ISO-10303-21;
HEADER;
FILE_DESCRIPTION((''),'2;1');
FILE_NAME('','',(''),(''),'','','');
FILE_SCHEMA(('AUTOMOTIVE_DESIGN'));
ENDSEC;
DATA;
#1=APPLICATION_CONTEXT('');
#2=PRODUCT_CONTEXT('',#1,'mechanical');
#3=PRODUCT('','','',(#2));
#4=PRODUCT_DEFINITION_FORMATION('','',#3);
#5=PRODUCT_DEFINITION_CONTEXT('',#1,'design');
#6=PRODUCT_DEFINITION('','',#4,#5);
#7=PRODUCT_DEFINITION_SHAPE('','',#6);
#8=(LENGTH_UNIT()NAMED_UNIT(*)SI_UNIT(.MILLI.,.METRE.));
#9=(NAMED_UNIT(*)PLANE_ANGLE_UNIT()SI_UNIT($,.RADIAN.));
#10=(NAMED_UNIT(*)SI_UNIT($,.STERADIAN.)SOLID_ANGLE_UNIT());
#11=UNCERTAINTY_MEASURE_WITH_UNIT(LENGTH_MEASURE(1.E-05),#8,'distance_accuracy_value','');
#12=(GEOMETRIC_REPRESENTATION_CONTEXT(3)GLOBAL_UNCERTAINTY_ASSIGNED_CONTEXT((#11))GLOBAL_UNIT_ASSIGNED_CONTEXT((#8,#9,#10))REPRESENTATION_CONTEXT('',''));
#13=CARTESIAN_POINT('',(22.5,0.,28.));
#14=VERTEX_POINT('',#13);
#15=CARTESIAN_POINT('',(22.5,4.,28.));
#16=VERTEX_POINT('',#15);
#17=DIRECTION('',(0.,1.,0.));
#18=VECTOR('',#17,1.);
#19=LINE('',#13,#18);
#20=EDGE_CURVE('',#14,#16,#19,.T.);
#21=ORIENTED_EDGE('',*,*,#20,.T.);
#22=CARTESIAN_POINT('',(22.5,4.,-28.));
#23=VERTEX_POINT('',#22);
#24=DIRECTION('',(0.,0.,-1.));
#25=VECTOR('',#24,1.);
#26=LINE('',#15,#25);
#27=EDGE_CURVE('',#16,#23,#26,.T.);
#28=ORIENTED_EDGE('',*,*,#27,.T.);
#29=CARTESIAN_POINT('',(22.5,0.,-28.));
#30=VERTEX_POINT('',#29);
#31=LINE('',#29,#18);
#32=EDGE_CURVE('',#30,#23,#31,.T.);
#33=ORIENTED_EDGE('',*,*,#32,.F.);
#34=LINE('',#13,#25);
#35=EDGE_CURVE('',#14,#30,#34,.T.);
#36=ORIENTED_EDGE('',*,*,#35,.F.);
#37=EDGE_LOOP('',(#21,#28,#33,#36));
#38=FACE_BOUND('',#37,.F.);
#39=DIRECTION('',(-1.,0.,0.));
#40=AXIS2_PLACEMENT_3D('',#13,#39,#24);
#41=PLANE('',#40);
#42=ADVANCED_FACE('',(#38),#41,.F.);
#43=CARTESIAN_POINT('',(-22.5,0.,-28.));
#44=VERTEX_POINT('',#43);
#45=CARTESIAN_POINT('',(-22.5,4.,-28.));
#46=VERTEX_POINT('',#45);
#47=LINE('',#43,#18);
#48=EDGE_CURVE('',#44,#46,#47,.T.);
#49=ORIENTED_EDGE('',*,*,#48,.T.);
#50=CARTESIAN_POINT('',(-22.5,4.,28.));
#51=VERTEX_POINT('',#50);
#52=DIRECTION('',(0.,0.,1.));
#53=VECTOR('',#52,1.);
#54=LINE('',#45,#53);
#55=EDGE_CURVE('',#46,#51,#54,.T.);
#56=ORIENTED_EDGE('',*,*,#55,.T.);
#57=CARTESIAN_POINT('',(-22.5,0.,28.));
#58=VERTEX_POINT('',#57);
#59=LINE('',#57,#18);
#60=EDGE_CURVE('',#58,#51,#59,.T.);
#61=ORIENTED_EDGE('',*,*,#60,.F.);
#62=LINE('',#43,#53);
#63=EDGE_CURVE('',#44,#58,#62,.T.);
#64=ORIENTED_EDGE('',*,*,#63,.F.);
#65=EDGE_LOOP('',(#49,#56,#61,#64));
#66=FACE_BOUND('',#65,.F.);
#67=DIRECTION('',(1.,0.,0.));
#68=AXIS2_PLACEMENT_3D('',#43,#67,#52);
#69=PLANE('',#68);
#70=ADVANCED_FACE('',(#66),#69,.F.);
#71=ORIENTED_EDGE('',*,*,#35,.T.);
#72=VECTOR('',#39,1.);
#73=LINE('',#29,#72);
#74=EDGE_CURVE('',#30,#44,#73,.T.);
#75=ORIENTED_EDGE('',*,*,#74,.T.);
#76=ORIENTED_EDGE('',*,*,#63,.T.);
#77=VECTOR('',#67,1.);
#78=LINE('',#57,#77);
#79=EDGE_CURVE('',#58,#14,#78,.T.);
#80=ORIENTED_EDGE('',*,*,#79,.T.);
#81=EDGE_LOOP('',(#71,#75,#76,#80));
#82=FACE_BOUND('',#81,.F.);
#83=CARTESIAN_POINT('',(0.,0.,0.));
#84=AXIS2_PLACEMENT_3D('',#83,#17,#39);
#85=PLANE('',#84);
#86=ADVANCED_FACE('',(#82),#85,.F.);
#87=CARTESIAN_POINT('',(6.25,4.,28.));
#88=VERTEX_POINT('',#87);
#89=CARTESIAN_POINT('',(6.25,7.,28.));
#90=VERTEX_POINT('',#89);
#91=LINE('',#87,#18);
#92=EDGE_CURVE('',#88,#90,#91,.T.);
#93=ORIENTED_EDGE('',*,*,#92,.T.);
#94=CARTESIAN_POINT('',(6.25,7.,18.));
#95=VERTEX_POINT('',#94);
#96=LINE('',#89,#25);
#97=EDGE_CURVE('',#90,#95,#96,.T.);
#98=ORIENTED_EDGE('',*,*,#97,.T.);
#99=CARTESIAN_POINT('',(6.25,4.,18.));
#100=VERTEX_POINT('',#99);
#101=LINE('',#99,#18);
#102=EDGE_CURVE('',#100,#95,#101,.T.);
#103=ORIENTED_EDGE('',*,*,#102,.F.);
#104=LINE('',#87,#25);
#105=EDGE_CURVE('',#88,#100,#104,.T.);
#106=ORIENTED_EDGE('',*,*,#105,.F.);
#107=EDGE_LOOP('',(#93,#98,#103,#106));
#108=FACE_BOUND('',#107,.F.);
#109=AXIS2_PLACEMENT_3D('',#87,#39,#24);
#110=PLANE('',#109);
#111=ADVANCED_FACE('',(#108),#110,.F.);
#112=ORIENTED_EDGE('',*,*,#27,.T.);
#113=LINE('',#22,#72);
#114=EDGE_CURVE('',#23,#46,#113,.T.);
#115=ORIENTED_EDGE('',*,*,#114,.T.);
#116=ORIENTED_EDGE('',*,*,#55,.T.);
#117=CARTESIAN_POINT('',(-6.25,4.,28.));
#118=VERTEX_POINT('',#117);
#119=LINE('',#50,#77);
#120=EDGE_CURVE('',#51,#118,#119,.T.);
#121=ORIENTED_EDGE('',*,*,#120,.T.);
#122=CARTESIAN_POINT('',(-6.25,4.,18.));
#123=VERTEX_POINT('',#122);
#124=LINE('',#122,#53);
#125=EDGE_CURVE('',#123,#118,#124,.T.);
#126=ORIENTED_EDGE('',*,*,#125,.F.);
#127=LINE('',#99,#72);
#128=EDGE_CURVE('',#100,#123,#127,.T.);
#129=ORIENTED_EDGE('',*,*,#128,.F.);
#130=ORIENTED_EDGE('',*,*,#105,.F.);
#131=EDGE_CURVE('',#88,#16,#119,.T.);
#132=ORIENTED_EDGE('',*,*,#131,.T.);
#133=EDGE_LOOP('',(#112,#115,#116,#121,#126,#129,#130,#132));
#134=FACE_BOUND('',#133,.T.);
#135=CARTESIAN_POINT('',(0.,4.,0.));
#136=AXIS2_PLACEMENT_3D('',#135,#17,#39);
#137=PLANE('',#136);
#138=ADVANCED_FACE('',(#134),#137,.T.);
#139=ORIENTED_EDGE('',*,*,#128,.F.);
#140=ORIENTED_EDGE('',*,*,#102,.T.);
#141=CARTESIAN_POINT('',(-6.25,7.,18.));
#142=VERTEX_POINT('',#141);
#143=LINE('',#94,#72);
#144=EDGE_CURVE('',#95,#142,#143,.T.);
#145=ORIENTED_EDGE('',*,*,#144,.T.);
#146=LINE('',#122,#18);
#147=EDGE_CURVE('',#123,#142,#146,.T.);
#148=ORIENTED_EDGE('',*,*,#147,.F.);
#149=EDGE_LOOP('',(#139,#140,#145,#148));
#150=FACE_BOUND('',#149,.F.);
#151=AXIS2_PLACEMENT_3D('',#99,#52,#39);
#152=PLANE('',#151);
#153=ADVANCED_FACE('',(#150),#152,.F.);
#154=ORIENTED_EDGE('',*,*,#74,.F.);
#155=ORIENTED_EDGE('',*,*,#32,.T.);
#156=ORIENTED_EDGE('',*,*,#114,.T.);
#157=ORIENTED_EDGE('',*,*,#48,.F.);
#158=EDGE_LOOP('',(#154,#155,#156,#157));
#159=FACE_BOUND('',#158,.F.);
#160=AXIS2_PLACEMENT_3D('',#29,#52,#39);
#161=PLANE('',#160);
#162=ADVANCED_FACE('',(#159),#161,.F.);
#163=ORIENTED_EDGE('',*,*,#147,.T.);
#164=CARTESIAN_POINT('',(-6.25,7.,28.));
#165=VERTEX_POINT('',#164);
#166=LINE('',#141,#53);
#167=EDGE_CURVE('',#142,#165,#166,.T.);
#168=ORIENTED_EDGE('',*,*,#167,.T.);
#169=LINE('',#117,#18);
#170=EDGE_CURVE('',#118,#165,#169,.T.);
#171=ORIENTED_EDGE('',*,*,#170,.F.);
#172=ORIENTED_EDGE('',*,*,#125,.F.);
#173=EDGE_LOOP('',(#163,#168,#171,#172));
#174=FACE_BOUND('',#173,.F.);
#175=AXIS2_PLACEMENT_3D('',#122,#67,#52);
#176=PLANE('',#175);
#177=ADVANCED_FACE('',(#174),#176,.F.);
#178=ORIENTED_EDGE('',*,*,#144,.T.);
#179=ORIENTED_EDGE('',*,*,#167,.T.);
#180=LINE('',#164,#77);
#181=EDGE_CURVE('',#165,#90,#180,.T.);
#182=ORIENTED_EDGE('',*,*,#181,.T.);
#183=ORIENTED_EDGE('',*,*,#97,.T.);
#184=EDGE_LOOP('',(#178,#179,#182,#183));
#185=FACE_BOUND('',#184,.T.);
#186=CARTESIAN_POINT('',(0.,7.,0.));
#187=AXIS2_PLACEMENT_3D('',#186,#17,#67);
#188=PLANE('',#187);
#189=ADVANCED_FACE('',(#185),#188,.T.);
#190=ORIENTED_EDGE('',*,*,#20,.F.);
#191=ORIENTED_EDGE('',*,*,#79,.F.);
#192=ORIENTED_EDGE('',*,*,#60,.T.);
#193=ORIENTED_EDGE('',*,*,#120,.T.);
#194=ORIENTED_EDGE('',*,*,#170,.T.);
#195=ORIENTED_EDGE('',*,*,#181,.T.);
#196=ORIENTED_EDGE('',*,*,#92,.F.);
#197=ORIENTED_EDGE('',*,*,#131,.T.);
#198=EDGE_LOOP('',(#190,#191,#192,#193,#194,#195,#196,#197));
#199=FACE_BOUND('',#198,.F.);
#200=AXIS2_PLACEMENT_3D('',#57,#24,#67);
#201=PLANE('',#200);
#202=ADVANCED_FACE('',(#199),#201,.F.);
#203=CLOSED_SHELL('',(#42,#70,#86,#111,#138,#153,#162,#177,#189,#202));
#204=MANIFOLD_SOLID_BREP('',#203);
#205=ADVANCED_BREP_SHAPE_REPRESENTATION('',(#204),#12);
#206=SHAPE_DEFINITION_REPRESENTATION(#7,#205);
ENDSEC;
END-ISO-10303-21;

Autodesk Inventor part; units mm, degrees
ref_plane "YZ Plane" through (0, 0, 0) normal (1, 0, 0) x (0, 1, 0)
ref_plane "XZ Plane" through (0, 0, 0) normal (0, 1, 0) x (-1, 0, 0)
ref_plane "XY Plane" through (0, 0, 0) normal (0, 0, 1) x (1, 0, 0)
sketch "Sketch1" plane through (0, 0, 0) normal (0, 1, 0) x (-1, 0, 0)
  line L0 (-22.5, -28) -> (22.5, -28)
  line L1 (22.5, -28) -> (22.5, 28)
  line L2 (22.5, 28) -> (-22.5, 28)
  line L3 (-22.5, 28) -> (-22.5, -28)
  line L4 (-22.5, -28) -> (22.5, 28) construction
  line L5 (22.5, -28) -> (-22.5, 28) construction
  point P0 (0, 0)
  dimension "d0" = 56
  dimension "d1" = 45
extrude "Extrusion1" add sketch "Sketch1" along normal blind 4
sketch "Sketch2" plane through (0, 4, 0) normal (0, 1, 0) x (1, 0, 0)
  line L0 (-6.25, -28) -> (6.25, -28)
  line L1 (6.25, -28) -> (6.25, -18)
  line L2 (6.25, -18) -> (-6.25, -18)
  line L3 (-6.25, -18) -> (-6.25, -28)
  line L4 (-22.5, -28) -> (22.5, -28) projected
  point P0 (0, 0)
  point P1 (0, -18)
  dimension "d4" = 12.5
  dimension "d5" = 10
extrude "Extrusion2" add sketch "Sketch2" along normal blind 3
properties part number "BMS"
